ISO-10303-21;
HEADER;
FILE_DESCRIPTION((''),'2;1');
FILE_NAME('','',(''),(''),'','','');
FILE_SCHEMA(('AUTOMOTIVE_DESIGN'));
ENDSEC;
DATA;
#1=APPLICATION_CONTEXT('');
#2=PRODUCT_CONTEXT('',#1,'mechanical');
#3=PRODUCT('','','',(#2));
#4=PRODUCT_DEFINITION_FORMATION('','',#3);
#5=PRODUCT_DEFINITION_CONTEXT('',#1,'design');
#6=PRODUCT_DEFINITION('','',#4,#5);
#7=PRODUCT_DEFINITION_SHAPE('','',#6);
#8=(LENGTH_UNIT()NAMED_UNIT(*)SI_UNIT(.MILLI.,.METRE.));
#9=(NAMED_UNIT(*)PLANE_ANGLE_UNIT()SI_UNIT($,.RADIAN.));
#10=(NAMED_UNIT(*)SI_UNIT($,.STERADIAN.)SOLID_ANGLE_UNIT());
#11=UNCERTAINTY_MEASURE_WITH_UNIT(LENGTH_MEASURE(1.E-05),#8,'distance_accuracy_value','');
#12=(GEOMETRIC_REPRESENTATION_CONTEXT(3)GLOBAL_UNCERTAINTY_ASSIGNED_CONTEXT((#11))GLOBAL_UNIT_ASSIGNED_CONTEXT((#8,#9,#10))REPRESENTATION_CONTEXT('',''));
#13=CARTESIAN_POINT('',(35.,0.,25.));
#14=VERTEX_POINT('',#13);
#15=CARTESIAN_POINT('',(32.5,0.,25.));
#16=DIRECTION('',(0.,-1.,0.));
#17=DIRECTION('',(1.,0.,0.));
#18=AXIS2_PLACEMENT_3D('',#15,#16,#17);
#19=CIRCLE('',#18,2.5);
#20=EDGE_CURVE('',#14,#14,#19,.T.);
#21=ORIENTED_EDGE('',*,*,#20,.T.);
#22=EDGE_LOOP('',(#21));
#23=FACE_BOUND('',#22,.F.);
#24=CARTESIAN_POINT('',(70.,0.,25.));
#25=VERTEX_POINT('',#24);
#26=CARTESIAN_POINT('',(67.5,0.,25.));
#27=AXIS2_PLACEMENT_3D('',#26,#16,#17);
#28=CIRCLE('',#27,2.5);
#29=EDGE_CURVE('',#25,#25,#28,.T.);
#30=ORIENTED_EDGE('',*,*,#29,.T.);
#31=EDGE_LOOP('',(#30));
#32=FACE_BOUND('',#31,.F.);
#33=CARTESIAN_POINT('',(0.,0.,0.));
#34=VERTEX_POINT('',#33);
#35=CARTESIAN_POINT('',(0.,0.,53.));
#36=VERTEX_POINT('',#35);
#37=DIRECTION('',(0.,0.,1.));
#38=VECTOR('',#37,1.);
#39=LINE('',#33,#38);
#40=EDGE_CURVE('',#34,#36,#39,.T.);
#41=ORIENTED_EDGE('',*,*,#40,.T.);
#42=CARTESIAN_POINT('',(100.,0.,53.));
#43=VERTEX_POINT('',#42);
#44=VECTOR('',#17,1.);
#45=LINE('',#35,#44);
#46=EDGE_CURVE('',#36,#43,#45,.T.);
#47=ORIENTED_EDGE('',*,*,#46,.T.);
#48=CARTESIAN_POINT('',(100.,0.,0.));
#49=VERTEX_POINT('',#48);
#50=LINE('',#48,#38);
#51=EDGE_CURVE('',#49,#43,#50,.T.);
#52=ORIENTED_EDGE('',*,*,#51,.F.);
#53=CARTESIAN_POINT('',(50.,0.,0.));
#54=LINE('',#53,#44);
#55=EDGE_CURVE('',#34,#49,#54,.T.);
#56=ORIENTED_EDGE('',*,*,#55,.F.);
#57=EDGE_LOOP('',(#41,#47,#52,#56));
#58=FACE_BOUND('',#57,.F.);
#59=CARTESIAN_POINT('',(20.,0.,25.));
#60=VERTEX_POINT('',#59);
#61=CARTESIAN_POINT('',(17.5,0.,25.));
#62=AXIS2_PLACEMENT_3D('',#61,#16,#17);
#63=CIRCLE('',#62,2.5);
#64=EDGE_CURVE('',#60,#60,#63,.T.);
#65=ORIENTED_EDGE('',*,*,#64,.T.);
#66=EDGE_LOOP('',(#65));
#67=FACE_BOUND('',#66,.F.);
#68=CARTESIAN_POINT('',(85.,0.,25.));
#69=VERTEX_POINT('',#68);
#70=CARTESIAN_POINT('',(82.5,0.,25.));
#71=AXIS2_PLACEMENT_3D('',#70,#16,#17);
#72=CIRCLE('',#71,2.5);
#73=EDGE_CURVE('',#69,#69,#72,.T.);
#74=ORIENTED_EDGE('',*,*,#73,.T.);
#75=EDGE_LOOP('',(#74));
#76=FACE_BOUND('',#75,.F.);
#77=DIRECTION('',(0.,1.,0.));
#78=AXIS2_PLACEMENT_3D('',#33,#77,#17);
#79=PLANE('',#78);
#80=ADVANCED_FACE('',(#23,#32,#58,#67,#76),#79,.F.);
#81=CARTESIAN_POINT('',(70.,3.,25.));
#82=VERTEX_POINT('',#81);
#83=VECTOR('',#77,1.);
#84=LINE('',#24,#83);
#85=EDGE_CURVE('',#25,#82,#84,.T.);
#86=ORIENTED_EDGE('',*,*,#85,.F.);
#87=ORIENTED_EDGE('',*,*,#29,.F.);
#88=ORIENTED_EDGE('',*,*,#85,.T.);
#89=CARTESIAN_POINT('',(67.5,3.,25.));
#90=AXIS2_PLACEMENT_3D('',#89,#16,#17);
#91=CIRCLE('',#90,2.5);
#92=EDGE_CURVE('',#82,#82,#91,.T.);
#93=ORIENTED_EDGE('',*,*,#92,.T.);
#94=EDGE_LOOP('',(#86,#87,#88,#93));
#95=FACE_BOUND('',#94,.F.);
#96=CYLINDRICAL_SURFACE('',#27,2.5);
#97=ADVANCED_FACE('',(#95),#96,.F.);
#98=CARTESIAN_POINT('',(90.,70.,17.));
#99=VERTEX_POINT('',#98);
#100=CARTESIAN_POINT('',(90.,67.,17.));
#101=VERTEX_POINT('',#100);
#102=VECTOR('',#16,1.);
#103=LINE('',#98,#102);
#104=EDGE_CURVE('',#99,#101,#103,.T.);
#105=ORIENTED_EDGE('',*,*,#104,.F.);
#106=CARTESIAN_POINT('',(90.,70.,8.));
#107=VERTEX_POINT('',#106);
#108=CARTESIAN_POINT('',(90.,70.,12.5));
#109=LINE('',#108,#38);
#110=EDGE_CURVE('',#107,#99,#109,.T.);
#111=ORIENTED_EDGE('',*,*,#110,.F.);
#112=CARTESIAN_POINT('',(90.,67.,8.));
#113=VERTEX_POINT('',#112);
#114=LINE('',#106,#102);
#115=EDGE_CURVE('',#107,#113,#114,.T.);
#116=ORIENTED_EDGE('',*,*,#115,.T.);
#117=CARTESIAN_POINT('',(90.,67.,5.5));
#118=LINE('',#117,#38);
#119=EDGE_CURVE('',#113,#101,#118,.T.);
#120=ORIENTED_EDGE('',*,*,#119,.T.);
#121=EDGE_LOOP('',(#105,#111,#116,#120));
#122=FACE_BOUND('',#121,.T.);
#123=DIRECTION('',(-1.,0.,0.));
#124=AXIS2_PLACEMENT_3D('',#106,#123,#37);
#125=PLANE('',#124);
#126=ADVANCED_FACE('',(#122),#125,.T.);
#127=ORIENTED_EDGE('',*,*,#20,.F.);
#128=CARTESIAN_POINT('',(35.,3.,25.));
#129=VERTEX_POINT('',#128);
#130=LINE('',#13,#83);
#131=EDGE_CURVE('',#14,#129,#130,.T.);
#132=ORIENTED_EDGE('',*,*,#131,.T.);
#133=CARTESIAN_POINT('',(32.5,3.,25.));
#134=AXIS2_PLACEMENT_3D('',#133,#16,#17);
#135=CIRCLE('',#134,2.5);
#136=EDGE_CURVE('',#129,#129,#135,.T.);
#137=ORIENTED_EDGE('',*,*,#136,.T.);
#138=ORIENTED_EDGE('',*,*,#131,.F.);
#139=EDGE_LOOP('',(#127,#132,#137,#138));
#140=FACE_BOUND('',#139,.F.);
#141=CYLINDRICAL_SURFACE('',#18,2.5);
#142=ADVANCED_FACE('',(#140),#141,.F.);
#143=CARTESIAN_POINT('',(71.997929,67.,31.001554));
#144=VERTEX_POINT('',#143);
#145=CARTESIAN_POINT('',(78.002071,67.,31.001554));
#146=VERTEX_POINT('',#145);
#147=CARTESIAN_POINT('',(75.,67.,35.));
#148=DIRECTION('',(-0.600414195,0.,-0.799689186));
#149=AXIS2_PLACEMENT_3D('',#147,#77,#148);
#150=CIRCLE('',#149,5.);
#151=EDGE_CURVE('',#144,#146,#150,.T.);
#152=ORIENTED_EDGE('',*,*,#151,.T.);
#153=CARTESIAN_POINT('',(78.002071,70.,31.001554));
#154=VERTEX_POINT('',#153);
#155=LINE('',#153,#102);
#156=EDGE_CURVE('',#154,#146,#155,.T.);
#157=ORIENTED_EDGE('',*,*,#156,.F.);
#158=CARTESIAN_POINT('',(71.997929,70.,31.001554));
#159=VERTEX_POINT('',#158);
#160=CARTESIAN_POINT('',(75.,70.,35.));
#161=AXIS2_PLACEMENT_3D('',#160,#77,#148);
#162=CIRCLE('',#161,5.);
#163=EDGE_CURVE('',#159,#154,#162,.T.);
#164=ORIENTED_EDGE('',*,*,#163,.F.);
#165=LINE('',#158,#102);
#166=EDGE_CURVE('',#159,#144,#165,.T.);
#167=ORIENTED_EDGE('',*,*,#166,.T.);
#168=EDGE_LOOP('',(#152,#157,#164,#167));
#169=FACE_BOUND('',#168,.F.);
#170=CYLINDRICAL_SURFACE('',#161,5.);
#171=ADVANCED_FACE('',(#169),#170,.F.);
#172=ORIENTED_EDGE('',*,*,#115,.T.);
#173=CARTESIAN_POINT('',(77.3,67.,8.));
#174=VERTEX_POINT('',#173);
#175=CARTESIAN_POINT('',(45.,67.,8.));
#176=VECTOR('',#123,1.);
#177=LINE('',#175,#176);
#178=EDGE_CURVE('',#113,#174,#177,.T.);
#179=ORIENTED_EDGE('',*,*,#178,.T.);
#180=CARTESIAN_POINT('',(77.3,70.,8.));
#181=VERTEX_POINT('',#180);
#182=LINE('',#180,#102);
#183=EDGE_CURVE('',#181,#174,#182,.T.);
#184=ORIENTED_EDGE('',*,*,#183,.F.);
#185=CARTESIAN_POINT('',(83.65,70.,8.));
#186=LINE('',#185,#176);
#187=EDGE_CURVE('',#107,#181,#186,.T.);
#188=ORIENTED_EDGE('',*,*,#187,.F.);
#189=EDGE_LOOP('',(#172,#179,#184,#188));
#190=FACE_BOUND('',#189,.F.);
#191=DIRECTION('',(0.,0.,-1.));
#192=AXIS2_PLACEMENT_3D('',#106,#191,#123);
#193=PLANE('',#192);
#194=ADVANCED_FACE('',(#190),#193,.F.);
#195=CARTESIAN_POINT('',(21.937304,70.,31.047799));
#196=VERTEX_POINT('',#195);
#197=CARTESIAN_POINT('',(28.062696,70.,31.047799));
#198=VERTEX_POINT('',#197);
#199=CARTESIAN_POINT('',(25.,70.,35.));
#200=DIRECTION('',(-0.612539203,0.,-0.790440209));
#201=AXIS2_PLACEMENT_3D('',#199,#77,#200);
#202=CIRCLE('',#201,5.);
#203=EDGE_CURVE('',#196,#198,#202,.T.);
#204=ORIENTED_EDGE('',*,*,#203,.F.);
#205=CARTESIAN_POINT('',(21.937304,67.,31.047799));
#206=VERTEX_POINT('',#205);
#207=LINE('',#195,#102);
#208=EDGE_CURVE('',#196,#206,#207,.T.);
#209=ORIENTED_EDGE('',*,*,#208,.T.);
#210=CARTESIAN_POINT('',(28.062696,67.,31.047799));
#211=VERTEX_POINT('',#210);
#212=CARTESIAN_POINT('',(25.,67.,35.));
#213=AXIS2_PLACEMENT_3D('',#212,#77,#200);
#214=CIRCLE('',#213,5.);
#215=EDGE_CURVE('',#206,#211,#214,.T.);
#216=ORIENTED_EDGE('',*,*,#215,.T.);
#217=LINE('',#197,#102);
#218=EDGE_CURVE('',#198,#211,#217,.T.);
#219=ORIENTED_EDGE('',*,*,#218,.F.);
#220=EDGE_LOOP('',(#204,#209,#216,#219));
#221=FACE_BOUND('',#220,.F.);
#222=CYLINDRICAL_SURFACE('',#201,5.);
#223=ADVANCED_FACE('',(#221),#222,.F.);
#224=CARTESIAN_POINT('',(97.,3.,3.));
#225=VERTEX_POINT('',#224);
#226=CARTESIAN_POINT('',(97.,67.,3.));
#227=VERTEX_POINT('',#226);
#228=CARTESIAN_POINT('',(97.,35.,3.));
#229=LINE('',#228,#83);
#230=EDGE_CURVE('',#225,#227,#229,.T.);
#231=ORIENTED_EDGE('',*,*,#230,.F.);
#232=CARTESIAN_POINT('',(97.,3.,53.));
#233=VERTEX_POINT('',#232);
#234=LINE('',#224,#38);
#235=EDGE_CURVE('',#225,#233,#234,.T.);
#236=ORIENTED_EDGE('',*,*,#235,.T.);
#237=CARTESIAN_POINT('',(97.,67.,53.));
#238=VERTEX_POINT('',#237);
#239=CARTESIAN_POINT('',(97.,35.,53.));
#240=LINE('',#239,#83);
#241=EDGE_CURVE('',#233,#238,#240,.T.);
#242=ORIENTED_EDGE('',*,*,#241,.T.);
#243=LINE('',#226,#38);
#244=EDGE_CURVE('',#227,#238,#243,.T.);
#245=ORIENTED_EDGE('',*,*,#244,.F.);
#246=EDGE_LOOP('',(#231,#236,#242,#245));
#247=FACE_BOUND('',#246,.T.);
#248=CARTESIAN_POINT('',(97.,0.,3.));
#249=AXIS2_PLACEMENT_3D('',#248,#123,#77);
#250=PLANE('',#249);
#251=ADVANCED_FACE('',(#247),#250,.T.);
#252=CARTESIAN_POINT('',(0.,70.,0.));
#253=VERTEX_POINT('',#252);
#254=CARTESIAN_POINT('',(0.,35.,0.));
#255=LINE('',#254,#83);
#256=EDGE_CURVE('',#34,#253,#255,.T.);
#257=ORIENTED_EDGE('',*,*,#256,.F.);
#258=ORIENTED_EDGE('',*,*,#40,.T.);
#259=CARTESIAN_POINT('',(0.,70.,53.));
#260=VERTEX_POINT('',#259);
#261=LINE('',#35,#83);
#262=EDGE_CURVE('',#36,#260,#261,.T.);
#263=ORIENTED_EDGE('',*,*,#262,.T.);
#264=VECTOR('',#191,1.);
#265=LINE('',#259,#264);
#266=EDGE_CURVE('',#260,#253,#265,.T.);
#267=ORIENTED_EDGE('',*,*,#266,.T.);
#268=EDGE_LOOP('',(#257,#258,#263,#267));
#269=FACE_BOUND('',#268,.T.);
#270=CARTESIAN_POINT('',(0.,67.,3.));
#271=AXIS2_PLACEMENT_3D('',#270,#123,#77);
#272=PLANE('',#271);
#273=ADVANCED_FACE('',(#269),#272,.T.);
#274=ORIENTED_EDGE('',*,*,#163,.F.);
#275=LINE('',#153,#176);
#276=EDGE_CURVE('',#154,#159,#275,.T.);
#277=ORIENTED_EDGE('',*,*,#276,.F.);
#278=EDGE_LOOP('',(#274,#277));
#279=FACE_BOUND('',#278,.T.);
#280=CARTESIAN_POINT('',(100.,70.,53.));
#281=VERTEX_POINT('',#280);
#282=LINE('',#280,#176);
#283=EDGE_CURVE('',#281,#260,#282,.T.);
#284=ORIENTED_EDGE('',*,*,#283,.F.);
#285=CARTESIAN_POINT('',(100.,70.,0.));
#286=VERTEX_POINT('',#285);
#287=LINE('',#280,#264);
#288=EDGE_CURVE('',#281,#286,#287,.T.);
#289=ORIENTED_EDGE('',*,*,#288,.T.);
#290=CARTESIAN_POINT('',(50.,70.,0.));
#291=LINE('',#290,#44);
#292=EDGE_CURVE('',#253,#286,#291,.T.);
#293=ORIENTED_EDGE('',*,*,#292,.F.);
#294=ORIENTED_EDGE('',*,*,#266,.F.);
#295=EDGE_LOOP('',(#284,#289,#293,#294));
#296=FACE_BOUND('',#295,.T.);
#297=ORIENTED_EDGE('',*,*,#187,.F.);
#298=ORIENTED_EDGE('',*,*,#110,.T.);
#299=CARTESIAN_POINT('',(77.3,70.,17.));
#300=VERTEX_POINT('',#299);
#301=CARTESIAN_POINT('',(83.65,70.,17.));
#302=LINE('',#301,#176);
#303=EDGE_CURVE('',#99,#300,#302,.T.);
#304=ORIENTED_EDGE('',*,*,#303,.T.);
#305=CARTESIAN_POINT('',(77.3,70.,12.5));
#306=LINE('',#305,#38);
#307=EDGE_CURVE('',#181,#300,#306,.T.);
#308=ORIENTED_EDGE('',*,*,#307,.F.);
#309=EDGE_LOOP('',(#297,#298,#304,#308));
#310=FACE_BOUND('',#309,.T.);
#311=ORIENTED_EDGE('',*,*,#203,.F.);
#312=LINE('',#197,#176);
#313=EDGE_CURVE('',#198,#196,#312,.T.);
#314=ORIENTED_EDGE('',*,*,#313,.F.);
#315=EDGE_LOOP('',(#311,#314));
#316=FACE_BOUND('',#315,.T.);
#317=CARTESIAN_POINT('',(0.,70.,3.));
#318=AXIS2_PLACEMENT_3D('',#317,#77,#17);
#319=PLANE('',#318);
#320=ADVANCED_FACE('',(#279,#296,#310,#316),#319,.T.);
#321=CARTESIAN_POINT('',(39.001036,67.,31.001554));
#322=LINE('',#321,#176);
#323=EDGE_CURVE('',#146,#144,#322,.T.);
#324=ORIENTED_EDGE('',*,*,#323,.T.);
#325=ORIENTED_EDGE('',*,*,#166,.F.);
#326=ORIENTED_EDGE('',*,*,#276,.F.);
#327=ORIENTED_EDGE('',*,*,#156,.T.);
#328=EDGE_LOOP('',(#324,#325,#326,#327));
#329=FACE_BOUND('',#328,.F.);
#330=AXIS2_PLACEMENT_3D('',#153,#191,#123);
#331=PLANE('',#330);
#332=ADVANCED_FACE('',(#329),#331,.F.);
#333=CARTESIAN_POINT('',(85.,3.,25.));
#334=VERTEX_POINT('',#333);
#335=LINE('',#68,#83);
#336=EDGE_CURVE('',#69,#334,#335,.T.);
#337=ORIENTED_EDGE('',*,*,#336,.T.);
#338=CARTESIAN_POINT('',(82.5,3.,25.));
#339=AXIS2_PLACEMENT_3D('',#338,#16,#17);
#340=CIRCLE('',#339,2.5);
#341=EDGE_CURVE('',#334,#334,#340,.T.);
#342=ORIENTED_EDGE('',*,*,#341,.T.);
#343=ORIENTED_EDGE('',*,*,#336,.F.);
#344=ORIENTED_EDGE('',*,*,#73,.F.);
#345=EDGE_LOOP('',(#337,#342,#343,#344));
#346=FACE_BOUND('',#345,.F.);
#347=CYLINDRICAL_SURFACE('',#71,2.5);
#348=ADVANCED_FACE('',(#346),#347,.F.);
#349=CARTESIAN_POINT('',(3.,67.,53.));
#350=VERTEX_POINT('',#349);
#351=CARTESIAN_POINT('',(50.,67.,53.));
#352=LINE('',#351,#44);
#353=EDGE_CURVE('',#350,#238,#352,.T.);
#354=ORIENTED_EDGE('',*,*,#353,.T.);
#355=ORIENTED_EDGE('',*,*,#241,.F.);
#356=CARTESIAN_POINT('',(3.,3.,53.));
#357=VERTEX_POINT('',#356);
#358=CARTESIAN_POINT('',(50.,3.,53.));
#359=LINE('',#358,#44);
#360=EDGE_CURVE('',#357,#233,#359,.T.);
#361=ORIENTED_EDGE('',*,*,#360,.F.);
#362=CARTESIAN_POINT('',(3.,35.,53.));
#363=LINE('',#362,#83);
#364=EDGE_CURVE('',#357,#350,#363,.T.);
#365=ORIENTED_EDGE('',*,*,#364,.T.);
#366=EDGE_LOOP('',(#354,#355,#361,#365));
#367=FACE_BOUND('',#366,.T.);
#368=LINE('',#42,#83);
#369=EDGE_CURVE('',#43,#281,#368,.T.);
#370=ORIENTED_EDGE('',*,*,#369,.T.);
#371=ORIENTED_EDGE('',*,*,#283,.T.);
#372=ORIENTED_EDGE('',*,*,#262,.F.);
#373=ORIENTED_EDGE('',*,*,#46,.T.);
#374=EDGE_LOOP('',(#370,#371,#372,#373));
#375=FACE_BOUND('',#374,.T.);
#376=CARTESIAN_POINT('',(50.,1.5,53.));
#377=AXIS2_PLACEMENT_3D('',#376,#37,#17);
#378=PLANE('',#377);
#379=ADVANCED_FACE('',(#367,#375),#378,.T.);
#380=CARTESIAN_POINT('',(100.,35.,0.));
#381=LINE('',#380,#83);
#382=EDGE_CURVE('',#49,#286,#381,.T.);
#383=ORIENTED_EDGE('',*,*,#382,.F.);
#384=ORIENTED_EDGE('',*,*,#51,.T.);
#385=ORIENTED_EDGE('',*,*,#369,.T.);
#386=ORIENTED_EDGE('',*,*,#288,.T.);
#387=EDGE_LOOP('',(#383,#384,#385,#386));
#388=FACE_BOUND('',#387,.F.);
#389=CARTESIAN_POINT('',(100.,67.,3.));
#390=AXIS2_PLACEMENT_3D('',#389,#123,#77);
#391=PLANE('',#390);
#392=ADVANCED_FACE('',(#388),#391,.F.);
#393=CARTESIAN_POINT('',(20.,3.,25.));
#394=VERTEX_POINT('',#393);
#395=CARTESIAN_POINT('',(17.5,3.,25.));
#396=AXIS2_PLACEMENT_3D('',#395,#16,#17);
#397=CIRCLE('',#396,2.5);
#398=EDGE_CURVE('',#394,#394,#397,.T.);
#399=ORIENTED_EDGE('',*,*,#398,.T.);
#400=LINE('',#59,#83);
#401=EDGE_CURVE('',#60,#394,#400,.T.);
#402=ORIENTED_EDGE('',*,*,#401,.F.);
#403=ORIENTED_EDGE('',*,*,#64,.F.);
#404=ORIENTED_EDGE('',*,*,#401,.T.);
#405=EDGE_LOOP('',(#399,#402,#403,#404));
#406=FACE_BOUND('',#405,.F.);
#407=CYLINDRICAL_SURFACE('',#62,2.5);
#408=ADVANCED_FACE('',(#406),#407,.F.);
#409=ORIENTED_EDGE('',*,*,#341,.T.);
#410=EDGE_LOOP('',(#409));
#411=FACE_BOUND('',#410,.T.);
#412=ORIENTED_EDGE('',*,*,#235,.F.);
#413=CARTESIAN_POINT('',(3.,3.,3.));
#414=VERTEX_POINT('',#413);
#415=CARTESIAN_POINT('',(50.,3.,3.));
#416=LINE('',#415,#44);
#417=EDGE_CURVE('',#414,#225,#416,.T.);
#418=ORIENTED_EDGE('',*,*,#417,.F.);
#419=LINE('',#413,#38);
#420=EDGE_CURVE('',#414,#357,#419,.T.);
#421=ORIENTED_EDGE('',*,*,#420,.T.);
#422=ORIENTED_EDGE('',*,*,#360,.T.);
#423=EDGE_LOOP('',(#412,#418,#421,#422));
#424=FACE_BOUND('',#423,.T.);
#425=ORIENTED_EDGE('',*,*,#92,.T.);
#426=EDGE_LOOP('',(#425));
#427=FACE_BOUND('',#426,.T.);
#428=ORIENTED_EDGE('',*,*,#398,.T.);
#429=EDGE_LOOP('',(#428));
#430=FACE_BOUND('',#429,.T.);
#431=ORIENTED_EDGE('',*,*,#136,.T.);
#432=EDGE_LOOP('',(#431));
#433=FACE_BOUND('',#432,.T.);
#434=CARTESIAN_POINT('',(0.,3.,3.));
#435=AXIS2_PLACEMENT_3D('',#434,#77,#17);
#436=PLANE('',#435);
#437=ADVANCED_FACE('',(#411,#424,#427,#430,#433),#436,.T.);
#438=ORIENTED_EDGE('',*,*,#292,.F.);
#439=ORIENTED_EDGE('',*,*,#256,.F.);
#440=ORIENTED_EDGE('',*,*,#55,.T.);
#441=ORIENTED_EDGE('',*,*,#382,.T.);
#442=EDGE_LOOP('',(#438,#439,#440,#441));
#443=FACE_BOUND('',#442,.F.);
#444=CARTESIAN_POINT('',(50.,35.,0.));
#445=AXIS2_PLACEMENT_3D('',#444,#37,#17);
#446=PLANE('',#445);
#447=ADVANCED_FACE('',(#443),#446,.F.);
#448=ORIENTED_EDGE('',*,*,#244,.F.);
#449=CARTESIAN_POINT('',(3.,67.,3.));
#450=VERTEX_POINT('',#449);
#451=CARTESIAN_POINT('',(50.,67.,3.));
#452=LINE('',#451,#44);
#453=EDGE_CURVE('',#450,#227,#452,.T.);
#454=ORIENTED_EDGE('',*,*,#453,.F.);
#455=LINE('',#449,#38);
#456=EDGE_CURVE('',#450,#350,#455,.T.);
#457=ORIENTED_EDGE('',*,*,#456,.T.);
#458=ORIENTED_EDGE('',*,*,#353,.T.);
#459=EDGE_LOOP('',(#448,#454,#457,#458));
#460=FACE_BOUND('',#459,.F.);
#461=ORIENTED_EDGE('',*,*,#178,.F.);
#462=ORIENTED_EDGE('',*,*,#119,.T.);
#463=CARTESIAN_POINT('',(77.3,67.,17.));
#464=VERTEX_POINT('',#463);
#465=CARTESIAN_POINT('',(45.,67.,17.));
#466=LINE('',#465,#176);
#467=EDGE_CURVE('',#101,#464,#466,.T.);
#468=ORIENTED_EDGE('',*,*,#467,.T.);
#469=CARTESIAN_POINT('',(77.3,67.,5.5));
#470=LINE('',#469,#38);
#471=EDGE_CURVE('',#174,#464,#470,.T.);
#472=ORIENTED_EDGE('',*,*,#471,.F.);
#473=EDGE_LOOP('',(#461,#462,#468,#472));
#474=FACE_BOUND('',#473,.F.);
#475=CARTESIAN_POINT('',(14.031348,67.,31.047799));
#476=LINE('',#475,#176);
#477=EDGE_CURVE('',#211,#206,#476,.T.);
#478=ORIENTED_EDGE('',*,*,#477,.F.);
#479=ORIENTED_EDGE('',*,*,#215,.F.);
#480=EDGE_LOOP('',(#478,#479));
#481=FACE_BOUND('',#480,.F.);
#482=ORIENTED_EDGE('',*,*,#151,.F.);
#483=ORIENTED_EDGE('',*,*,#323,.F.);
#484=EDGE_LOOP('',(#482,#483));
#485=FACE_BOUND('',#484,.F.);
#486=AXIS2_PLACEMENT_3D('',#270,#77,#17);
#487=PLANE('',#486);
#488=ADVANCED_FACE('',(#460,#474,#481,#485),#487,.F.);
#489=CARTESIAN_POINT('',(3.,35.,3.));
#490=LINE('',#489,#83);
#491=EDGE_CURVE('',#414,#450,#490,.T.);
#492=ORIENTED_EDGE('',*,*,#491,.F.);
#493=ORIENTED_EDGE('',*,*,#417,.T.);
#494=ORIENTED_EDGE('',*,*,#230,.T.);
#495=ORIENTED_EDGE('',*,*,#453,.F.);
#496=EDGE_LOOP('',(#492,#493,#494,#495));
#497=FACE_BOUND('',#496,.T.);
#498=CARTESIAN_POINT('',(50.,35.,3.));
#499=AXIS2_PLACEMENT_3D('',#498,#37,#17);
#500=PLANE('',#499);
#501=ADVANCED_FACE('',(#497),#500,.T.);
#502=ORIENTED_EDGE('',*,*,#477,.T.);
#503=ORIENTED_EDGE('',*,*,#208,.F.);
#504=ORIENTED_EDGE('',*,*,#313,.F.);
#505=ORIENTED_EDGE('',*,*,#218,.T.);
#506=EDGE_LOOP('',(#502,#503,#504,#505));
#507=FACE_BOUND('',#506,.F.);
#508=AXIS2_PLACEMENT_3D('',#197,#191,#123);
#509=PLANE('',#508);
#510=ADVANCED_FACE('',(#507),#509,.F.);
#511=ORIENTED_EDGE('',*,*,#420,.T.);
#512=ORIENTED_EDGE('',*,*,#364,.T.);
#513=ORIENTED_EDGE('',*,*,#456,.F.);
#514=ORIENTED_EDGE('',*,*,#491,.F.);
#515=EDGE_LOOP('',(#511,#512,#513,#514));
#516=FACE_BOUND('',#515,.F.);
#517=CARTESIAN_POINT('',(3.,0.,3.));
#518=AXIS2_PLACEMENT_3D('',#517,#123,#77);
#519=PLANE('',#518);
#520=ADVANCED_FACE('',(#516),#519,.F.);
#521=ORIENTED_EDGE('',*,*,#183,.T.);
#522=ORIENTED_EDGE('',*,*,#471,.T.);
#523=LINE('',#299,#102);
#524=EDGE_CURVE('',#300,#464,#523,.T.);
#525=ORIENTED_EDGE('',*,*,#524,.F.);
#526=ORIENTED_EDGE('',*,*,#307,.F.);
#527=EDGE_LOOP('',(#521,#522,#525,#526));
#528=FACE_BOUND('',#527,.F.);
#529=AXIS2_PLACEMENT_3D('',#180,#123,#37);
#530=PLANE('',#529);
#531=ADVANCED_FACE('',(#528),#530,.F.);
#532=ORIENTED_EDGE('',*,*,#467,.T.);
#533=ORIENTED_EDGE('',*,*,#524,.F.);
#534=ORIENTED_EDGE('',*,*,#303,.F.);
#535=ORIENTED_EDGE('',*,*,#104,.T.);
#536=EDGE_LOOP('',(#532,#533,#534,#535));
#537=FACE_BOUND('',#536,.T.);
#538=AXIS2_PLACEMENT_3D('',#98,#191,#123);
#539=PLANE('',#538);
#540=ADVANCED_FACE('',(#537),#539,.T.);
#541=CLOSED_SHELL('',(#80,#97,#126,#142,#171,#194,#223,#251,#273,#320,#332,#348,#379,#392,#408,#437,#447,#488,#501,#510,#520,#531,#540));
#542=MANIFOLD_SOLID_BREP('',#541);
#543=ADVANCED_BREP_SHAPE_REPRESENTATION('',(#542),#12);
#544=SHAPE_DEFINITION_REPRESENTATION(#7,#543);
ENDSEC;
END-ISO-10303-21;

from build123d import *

# Parameters (mm, degrees)
SKETCH_W        = 100
SKETCH_H        = 70
PAD_DEPTH       = 3
SKETCH001_W     = 100
SKETCH001_H     = 3
PAD001_DEPTH    = 50
SKETCH002_W     = 3
SKETCH002_H     = 70
PAD002_DEPTH    = 50
POCKET_DEPTH    = 4
SKETCH004_R     = 2.5
POCKET001_DEPTH = 4
SKETCH005_W     = 12.7
SKETCH005_H     = 9
POCKET002_DEPTH = 4


with BuildPart() as part:
    # Sketch → Pad (new body)
    with BuildSketch(Plane.XY):
        with Locations((50, 35)):
            Rectangle(SKETCH_W, SKETCH_H)
    extrude(amount=PAD_DEPTH)

    # Sketch001 (on Face6 of Pad) → Pad001 (join)
    with BuildSketch(Plane.XY.offset(3)):
        with Locations((50, 68.5)):
            Rectangle(SKETCH001_W, SKETCH001_H)
        with Locations((50, 1.5)):
            Rectangle(SKETCH001_W, SKETCH001_H)
    extrude(amount=PAD001_DEPTH)

    # Sketch002 (on Face8 of Pad001) → Pad002 (join)
    with BuildSketch(Plane.XY.offset(3)):
        with Locations((1.5, 35)):
            Rectangle(SKETCH002_W, SKETCH002_H)
        with Locations((98.5, 35)):
            Rectangle(SKETCH002_W, SKETCH002_H)
    extrude(amount=PAD002_DEPTH)

    # Sketch003 (on Face6 of Pad002) → Pocket (cut)
    with BuildSketch(Plane(origin=(0, 70, 0), x_dir=(-1, 0, 0), z_dir=(0, 1, 0))):
        with BuildLine():
            ThreePointArc((-71.997929, 31.001554), (-75, 40), (-78.002071, 31.001554))
            Line((-78.002071, 31.001554), (-71.997929, 31.001554))
        make_face()
        with BuildLine():
            ThreePointArc((-21.937304, 31.047799), (-25, 40), (-28.062696, 31.047799))
            Line((-28.062696, 31.047799), (-21.937304, 31.047799))
        make_face()
    extrude(amount=-POCKET_DEPTH, mode=Mode.SUBTRACT)

    # Sketch004 (on Face23 of Pocket) → Pocket001 (cut)
    with BuildSketch(Plane.XZ):
        with Locations((17.5, 25)):
            Circle(SKETCH004_R)
        with Locations((32.5, 25)):
            Circle(SKETCH004_R)
        with Locations((67.5, 25)):
            Circle(SKETCH004_R)
        with Locations((82.5, 25)):
            Circle(SKETCH004_R)
    extrude(amount=-POCKET001_DEPTH, mode=Mode.SUBTRACT)

    # Sketch005 (on Face6 of Pocket001) → Pocket002 (cut)
    with BuildSketch(Plane(origin=(0, 70, 0), x_dir=(-1, 0, 0), z_dir=(0, 1, 0))):
        with Locations((-83.65, 12.5)):
            Rectangle(SKETCH005_W, SKETCH005_H)
    extrude(amount=-POCKET002_DEPTH, mode=Mode.SUBTRACT)


solid = part.part
